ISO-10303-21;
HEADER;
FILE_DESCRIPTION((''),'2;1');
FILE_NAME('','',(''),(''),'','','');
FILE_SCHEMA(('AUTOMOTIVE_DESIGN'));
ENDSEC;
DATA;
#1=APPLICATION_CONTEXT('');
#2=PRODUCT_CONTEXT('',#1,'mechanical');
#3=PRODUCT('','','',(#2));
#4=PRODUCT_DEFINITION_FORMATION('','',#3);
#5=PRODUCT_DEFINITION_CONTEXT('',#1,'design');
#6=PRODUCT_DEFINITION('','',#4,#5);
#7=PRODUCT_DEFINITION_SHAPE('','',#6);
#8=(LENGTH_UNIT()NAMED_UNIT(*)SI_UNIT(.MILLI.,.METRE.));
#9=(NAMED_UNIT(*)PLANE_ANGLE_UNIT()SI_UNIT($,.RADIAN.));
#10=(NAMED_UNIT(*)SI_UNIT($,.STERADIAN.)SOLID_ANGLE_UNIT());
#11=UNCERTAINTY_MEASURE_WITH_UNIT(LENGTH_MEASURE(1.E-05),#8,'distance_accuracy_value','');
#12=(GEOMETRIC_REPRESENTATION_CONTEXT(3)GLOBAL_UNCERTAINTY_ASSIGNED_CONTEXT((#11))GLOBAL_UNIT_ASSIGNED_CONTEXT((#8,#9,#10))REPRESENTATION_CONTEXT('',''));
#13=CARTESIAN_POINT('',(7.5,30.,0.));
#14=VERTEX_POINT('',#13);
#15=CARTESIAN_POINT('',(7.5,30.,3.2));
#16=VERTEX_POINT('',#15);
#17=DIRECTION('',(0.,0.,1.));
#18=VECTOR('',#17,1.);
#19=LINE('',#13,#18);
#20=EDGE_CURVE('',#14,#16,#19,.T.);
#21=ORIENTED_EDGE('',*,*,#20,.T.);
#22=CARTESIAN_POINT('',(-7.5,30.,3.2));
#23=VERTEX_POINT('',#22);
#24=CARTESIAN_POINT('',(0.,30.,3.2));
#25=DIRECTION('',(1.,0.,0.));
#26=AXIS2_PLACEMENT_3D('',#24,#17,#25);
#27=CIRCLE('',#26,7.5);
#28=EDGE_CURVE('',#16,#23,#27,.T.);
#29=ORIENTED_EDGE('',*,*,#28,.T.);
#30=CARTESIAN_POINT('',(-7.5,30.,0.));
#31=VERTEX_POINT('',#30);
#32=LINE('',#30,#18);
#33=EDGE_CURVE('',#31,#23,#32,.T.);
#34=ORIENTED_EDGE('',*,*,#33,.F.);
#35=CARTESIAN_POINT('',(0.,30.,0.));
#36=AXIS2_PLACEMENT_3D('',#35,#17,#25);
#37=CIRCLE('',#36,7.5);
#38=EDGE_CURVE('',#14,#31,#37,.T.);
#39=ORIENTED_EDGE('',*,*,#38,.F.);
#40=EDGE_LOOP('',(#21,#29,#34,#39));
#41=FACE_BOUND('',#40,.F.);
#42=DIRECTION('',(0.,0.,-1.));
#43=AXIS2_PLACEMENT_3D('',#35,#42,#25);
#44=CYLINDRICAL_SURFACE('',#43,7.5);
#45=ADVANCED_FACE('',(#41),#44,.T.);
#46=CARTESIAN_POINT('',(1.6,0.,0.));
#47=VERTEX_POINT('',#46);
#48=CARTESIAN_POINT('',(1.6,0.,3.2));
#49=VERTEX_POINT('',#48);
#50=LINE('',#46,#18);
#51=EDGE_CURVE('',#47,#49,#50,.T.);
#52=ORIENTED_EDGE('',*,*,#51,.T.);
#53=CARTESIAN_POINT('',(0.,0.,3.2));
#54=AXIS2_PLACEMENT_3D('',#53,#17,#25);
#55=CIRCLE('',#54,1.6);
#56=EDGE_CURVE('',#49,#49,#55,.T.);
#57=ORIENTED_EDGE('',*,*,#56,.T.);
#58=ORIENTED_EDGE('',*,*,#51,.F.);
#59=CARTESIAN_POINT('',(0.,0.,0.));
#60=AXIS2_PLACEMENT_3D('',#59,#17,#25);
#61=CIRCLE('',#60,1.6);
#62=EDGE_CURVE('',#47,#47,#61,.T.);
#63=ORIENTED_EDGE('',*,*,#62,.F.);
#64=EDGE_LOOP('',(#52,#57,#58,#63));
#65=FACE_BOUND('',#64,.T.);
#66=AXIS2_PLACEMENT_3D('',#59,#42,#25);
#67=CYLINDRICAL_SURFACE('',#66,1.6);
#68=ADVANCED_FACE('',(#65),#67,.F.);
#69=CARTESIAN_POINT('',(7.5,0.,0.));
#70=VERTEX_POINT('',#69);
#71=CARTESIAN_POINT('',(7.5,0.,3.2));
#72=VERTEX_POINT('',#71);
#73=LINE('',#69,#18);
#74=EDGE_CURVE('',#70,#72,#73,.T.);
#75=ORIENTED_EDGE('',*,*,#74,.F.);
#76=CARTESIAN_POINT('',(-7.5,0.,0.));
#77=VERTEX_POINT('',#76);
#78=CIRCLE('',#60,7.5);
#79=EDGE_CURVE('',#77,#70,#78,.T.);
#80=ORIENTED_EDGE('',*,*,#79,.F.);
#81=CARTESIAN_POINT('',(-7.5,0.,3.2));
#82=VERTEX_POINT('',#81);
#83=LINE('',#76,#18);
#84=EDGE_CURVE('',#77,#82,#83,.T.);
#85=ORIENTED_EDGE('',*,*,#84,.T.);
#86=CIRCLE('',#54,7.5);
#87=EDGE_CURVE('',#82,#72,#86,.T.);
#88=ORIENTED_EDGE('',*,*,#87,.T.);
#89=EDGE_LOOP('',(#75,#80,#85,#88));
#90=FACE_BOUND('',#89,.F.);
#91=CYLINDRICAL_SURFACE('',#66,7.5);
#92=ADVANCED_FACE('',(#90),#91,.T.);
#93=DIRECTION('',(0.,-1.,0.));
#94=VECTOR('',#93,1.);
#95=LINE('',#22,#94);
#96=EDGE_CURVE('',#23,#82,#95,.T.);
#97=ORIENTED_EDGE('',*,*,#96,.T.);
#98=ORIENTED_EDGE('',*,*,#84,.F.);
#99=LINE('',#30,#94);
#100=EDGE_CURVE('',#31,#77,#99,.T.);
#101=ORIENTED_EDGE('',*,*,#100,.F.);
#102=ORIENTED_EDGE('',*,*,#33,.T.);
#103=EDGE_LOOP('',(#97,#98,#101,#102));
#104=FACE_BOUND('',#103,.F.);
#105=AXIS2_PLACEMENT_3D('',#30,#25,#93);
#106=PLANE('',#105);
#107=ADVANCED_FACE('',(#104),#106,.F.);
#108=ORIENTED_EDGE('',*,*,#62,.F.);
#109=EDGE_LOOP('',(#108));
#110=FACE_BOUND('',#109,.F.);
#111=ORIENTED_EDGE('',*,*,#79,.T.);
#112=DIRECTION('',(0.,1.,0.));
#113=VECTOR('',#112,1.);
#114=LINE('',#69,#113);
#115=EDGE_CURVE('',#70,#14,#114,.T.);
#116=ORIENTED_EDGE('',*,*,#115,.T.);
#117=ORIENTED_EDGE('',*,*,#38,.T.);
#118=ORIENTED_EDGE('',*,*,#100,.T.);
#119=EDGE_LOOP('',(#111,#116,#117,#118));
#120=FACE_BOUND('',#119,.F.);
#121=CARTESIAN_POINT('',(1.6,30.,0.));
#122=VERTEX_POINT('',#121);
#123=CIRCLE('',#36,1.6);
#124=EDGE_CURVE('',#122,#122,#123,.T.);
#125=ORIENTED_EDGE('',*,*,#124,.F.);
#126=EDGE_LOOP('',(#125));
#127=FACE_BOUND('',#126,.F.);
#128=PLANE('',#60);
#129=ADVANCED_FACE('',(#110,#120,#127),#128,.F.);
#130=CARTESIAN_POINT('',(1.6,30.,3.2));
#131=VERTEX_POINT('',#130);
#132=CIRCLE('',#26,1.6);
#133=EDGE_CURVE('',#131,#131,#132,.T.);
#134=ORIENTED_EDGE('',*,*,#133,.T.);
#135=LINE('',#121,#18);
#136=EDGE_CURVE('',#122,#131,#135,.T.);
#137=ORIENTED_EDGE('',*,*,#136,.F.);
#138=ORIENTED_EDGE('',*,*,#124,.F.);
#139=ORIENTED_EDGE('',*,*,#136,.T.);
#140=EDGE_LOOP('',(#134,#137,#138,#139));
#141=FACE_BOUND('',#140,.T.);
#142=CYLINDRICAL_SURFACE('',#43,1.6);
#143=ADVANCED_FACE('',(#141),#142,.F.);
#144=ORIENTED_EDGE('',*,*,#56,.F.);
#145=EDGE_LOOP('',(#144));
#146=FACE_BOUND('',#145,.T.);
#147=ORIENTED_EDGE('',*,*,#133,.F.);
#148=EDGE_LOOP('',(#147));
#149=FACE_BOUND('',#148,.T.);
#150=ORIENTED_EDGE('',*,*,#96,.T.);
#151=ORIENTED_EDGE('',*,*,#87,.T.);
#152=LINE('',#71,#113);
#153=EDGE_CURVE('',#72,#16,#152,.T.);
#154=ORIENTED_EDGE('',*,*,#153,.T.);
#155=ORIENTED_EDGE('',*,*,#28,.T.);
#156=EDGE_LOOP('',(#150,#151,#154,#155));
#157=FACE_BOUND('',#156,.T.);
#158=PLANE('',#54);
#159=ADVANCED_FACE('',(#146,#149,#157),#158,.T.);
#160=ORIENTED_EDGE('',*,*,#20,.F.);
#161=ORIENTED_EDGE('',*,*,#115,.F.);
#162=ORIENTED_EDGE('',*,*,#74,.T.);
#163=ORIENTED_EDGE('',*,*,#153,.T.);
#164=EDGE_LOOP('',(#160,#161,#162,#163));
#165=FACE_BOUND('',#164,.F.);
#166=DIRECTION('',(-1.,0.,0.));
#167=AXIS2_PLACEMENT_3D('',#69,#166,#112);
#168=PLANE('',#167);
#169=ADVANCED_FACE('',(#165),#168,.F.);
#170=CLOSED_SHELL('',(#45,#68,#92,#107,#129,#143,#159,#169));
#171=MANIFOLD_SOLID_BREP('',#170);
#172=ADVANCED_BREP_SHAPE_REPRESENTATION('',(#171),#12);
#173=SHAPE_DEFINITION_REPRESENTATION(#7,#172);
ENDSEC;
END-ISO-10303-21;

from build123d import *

# Parameters (mm, degrees)
F0_R     = 1.6
F1_DEPTH = 3.2


with BuildPart() as f1:
    # F0 (on Top) → F1 (new body)
    with BuildSketch(Plane.XY):
        with BuildLine():
            ThreePointArc((-7.5, 0), (0, -7.5), (7.5, 0))
            ThreePointArc((7.5, 0), (0, 7.5), (-7.5, 0))
        make_face()
        Circle(F0_R, mode=Mode.SUBTRACT)
        with BuildLine():
            ThreePointArc((-7.5, 0), (0, 7.5), (7.5, 0))
            Line((7.5, 0), (7.5, 30))
            ThreePointArc((7.5, 30), (0, 22.5), (-7.5, 30))
            Line((-7.5, 30), (-7.5, 0))
        make_face()
        with BuildLine():
            ThreePointArc((-7.5, 30), (0, 22.5), (7.5, 30))
            ThreePointArc((7.5, 30), (0, 37.5), (-7.5, 30))
        make_face()
        with Locations((0, 30)):
            Circle(F0_R, mode=Mode.SUBTRACT)
    extrude(amount=F1_DEPTH)


solid = f1.part
